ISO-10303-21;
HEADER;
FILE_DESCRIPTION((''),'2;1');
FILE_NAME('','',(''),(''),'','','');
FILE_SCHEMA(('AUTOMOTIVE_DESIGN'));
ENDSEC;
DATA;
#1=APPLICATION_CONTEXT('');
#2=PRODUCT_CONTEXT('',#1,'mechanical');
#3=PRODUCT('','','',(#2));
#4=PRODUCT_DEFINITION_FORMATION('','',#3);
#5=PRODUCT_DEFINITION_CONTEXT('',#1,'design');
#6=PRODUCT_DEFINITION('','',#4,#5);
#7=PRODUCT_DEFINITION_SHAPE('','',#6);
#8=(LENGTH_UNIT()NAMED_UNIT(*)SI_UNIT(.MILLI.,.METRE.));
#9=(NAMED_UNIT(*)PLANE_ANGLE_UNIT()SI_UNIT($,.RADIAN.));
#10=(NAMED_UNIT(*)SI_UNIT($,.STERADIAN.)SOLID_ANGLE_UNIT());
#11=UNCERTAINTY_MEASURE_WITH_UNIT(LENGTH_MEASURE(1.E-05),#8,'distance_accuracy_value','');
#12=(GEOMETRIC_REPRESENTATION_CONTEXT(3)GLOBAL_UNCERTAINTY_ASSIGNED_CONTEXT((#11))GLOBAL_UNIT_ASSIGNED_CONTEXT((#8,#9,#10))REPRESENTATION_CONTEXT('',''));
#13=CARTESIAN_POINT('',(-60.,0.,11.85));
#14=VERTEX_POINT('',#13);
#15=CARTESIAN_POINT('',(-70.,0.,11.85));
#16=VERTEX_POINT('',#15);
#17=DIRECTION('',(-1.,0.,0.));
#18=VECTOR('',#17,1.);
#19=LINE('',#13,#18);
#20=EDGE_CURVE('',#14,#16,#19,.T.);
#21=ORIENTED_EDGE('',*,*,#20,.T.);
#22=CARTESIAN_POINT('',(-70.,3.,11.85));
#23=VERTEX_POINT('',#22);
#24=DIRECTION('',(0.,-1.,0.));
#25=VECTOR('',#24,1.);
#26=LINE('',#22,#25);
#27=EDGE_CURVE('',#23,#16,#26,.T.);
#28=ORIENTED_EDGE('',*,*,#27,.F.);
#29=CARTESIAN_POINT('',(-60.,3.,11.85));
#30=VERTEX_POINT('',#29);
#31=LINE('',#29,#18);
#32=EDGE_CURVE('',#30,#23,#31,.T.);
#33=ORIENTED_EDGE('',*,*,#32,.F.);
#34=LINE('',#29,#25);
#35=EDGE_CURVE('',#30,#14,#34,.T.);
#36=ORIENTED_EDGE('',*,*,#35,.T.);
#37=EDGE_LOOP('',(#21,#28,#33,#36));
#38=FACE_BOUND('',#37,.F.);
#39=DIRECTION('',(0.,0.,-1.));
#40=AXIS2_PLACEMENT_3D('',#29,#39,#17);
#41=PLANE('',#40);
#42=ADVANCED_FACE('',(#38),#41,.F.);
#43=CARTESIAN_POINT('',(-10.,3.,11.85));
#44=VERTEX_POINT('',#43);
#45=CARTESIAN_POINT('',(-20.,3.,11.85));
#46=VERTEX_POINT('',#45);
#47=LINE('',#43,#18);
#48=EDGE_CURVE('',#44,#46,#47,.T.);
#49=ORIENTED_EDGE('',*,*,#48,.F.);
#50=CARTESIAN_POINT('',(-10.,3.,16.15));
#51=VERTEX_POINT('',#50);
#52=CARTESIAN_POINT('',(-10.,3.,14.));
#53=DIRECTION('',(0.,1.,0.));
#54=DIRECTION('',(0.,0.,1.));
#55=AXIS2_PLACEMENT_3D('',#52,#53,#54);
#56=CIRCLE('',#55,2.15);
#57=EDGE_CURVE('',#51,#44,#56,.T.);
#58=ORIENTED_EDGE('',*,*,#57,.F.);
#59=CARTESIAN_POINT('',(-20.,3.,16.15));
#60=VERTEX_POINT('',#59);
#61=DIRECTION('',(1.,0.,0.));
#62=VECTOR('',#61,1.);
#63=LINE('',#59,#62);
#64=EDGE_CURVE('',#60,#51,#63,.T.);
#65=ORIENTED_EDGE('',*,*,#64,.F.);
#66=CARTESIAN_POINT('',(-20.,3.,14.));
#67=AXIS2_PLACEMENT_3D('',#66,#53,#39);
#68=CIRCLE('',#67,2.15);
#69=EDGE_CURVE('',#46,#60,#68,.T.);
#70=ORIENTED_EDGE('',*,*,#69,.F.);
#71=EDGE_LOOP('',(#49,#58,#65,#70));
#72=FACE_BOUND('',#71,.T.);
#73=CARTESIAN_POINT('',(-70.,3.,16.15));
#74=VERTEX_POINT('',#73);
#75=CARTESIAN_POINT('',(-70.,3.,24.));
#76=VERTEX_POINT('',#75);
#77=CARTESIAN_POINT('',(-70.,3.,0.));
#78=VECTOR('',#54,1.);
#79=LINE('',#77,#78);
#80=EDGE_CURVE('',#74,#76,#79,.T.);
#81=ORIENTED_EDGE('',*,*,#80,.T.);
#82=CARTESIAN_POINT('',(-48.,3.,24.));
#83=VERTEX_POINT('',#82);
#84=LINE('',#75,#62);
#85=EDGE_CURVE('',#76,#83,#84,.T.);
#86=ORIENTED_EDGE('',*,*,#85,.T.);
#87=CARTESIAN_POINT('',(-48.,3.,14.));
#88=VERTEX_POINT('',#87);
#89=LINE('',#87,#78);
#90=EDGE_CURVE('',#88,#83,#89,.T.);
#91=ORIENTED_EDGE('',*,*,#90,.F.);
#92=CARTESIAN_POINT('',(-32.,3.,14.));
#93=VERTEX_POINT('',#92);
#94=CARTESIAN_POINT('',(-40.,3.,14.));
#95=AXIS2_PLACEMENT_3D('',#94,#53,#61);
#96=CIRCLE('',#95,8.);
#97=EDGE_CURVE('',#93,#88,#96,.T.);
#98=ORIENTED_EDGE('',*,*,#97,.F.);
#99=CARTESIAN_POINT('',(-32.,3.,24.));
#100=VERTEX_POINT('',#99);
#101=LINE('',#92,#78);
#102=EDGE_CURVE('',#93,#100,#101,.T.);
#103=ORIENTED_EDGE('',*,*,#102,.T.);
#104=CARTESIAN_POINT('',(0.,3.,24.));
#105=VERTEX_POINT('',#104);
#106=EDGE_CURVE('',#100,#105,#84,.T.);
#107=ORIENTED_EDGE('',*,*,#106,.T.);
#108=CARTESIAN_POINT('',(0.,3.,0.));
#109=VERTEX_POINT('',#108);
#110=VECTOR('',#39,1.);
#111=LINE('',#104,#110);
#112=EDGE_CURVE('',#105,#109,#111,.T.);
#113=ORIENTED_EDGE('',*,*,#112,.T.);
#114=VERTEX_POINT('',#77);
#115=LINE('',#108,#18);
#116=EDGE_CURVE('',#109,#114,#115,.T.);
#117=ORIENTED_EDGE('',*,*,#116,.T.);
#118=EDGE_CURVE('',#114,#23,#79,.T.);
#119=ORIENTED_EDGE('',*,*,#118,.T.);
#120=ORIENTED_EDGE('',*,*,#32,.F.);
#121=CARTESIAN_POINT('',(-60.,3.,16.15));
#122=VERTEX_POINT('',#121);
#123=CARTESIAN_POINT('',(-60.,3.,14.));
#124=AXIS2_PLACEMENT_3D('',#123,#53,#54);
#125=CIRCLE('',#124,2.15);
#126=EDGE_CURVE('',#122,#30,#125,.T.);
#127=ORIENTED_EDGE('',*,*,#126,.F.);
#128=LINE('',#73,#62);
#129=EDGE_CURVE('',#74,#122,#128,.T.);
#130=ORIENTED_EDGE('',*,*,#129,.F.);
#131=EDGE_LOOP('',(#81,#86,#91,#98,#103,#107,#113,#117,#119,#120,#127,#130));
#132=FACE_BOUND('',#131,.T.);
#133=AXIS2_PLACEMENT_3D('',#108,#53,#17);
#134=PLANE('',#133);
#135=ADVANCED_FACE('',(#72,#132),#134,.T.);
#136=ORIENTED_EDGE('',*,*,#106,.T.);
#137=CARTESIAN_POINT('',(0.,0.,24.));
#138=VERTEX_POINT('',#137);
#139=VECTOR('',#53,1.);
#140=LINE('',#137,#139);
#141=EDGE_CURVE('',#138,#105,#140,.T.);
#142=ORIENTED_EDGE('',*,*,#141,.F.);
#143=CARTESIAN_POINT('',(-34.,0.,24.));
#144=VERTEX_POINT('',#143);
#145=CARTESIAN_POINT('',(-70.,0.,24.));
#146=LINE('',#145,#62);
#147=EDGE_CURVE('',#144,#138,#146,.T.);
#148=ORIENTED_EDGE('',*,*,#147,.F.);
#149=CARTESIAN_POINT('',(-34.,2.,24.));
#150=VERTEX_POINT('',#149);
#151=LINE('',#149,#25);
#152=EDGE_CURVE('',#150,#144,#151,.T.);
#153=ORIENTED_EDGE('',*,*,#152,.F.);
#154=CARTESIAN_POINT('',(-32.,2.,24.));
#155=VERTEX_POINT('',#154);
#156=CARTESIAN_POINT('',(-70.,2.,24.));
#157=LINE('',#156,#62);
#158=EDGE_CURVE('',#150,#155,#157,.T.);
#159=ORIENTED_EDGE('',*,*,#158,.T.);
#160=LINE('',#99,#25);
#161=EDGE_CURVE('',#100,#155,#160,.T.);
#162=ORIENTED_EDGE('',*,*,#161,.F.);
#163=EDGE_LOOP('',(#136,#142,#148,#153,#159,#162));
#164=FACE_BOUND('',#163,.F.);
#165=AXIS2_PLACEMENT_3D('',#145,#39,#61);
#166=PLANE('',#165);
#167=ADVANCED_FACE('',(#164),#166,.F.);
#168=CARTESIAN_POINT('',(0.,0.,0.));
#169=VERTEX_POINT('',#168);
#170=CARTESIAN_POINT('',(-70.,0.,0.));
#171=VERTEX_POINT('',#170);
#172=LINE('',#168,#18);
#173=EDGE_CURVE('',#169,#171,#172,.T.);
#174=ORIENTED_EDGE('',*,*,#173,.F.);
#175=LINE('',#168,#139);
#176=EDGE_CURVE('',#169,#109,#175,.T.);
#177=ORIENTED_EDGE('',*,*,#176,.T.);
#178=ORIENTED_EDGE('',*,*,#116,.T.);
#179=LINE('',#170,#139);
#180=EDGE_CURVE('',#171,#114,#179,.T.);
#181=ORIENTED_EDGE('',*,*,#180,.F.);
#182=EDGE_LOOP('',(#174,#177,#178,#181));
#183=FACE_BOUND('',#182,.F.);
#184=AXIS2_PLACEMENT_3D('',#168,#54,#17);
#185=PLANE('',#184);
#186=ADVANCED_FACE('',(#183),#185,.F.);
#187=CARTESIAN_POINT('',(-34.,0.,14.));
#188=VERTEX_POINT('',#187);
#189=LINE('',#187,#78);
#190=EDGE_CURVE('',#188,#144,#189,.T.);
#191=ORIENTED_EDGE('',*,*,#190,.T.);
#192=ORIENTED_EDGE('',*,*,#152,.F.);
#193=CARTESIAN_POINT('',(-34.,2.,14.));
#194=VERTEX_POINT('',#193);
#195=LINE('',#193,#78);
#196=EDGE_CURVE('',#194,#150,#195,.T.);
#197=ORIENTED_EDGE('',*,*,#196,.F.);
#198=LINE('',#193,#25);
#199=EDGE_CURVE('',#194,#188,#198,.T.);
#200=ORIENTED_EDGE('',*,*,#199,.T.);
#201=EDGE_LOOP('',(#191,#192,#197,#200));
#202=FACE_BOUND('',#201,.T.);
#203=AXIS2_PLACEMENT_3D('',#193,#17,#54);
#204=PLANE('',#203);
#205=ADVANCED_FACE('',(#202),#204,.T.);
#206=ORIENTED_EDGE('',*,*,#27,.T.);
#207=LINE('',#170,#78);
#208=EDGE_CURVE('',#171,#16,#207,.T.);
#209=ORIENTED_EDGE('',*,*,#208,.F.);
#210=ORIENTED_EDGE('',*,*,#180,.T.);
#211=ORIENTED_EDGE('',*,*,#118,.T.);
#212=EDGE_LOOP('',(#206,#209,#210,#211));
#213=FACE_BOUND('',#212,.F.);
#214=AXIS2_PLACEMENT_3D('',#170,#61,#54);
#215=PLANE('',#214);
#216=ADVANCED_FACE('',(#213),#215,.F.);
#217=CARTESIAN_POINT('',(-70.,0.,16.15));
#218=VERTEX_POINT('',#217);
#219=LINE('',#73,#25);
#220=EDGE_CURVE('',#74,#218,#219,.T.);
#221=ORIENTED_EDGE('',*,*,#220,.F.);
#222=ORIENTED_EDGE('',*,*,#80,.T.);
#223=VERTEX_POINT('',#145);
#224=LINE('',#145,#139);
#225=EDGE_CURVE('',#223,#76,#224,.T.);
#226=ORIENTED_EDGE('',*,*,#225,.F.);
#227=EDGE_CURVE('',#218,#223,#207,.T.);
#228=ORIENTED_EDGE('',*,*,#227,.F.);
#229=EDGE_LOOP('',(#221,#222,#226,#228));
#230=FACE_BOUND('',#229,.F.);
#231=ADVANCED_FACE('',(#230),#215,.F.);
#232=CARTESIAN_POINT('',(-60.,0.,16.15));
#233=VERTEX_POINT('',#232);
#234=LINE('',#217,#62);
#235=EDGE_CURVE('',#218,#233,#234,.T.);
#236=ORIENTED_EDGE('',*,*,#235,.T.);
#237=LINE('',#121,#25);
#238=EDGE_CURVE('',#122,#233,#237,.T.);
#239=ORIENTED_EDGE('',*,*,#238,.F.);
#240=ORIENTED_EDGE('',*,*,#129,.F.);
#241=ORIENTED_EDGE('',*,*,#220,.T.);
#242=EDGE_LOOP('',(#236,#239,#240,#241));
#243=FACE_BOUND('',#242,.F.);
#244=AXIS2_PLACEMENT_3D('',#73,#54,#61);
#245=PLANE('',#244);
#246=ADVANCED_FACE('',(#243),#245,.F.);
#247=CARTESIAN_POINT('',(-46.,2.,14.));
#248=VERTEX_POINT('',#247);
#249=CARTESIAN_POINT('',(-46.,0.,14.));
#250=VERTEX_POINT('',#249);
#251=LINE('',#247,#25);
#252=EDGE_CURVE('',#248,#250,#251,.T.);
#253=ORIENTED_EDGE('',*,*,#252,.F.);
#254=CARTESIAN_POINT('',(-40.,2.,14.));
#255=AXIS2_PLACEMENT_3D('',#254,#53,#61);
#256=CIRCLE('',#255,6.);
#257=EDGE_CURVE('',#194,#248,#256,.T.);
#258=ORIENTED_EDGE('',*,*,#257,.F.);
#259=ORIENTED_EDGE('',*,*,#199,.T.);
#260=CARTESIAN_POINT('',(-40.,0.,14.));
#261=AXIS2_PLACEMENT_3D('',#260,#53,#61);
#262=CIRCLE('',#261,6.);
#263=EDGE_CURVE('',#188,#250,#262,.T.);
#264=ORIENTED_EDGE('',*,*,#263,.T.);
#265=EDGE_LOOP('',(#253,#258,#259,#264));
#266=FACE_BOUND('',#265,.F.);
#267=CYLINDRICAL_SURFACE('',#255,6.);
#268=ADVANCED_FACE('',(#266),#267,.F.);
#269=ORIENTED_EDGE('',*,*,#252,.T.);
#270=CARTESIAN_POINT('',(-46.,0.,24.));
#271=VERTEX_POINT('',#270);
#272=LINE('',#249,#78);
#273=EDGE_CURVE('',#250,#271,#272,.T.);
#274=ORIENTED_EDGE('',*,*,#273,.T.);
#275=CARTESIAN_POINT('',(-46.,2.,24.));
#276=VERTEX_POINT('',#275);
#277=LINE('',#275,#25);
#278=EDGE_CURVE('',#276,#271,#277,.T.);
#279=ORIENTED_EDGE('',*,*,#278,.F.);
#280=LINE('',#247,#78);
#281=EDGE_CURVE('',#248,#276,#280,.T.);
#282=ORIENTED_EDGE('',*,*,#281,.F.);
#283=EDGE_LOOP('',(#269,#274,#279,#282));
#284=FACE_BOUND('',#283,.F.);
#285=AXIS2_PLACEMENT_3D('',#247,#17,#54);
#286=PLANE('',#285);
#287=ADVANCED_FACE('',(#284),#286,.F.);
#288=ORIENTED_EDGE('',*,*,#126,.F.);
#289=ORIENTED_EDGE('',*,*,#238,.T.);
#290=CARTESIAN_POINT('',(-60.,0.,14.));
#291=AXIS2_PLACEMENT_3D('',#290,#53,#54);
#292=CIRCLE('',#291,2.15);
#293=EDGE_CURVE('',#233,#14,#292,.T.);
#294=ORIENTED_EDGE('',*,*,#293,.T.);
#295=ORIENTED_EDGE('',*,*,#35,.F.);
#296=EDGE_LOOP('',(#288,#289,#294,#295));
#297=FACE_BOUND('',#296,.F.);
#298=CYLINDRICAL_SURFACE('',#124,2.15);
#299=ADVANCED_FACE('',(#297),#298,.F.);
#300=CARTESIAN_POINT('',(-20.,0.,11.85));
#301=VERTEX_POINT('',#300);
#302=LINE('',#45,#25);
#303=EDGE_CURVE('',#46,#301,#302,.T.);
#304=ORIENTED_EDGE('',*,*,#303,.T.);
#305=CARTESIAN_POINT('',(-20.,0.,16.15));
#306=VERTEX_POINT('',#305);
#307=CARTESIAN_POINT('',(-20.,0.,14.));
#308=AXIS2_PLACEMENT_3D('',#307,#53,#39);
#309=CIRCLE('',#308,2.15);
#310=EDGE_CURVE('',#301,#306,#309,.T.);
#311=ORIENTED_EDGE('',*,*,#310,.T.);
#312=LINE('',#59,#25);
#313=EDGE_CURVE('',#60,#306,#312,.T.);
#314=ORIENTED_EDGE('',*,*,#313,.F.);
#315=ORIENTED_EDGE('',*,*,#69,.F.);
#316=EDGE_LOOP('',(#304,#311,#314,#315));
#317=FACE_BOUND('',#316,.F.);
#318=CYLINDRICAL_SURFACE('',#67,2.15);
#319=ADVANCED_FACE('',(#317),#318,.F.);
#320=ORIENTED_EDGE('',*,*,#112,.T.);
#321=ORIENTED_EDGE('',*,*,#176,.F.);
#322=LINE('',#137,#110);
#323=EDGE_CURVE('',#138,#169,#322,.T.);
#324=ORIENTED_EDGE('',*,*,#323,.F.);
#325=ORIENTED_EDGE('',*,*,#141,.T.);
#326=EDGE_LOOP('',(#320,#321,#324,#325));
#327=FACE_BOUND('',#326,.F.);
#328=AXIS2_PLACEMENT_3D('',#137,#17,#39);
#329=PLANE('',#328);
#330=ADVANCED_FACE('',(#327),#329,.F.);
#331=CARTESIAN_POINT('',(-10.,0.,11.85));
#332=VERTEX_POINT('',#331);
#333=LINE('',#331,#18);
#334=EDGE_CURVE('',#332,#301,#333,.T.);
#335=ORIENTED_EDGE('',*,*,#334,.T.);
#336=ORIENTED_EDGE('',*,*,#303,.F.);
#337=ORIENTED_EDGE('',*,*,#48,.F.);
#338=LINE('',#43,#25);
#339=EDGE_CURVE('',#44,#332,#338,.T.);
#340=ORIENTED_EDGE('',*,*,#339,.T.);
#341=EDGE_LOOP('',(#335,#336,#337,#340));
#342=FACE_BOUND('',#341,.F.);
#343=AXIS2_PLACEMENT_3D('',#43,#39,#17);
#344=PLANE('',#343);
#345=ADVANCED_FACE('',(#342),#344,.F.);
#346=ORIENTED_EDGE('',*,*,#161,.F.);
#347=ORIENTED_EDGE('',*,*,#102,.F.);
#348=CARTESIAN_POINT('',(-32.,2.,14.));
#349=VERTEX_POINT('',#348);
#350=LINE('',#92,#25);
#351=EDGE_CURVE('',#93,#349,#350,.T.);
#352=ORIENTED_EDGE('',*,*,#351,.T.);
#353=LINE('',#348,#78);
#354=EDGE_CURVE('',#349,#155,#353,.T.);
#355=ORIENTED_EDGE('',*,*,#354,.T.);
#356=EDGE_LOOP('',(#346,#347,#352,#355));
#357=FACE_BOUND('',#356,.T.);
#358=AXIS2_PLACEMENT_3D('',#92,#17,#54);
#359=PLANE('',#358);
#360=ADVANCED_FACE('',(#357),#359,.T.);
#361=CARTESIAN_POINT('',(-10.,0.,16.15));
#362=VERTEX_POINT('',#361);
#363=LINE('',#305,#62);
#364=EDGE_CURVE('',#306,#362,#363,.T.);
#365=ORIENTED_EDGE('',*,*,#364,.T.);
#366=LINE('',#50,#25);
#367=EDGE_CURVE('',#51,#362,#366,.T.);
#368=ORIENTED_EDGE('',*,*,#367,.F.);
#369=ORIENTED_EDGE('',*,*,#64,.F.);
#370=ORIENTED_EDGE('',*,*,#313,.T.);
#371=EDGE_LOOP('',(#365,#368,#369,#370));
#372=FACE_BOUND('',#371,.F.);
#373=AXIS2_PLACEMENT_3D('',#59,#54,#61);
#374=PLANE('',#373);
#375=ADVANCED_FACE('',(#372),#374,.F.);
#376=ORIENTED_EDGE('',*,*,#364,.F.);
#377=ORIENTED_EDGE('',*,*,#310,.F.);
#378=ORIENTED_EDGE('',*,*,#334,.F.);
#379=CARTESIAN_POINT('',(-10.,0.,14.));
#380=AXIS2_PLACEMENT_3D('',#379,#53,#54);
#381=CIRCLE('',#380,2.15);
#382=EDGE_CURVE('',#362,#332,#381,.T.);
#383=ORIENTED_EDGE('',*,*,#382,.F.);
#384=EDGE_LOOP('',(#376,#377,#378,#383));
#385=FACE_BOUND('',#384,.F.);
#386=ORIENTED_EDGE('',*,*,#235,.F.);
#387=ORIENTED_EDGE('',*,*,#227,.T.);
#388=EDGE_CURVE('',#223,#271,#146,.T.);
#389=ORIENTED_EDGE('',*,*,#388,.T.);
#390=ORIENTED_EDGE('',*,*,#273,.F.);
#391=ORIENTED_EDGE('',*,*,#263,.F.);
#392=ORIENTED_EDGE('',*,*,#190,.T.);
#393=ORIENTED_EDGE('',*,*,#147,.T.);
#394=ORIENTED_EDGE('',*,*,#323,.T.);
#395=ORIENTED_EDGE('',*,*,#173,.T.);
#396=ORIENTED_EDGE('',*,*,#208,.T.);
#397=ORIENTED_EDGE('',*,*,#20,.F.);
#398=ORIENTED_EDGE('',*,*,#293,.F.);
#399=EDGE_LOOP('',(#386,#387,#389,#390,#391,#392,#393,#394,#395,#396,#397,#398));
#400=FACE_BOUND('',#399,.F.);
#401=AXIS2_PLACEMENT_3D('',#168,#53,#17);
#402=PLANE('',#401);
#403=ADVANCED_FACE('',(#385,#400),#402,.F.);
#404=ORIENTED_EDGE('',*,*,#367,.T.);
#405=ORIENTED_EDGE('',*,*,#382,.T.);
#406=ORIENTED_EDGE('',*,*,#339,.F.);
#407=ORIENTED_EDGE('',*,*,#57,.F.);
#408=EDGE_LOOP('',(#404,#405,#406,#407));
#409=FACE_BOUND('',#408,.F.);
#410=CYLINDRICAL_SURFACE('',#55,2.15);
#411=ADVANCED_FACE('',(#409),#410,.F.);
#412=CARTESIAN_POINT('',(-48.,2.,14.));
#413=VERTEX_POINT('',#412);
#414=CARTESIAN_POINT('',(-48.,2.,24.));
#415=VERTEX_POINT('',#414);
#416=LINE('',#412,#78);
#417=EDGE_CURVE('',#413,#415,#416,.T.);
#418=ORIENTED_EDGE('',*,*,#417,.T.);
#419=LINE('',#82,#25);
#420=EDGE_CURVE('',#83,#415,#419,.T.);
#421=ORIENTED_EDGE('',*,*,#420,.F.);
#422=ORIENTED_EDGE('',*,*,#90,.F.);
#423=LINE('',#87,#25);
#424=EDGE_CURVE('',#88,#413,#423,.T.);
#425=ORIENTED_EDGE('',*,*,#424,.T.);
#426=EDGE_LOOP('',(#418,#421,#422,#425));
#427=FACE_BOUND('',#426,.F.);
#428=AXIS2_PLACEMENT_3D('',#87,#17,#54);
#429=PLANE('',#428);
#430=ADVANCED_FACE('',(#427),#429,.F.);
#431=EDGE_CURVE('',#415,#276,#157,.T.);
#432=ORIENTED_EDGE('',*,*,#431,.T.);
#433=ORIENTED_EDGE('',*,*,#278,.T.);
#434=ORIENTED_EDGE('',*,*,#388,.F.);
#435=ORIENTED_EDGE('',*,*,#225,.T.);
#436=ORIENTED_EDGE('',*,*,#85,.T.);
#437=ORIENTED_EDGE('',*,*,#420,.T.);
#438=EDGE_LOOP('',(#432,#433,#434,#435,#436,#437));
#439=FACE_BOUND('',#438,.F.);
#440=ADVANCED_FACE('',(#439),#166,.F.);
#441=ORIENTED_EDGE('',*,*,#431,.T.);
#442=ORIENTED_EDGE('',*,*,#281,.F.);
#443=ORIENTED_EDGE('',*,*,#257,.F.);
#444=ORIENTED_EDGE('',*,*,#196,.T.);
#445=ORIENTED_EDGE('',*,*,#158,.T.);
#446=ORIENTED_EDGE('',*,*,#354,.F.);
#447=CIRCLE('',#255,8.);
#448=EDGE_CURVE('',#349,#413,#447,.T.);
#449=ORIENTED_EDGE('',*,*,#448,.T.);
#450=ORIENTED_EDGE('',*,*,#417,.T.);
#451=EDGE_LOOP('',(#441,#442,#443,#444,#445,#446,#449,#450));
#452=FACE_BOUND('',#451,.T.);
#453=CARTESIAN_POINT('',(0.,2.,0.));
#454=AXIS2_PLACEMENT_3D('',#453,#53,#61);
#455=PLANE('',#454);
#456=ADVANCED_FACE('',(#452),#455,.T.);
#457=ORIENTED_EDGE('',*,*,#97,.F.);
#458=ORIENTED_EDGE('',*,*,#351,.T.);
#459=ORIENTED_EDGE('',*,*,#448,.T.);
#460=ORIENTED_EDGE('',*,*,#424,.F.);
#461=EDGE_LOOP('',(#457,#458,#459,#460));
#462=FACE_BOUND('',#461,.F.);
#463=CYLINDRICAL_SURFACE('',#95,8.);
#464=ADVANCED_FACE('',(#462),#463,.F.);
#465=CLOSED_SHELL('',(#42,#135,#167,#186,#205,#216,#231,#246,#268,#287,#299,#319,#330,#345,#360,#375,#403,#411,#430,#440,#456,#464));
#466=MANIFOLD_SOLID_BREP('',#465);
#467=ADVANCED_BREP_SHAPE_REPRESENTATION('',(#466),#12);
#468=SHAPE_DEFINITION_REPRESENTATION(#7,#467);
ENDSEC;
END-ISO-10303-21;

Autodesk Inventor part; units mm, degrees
ref_plane "YZ Plane" through (0, 0, 0) normal (1, 0, 0) x (0, 1, 0)
ref_plane "XZ Plane" through (0, 0, 0) normal (0, 1, 0) x (-1, 0, 0)
ref_plane "XY Plane" through (0, 0, 0) normal (0, 0, 1) x (1, 0, 0)
sketch "Sketch1" plane through (0, 0, 0) normal (0, 1, 0) x (-1, 0, 0)
  line L0 (0, 0) -> (70, 0)
  line L1 (70, 0) -> (70, 24)
  line L2 (70, 24) -> (0, 24)
  line L3 (0, 24) -> (0, 0)
  dimension "d0" = 70
  dimension "d1" = 24
extrude "Extrusion1" add sketch "Sketch1" along normal blind 3
sketch "Sketch2" plane through (0, 3, 0) normal (0, 1, 0) x (1, 0, 0)
  line L0 (-70, 0) -> (-70, -24) projected
  line L1 (-70, -24) -> (0, -24) projected
  arc A0 (-32, -14) -> (-48, -14) centre (-40, -14) ccw
  line L2 (-32, -14) -> (-32, -24)
  line L3 (-48, -14) -> (-48, -24)
  dimension "d5" = 16
  dimension "d6" = 10
  dimension "d8" = 30
extrude "Extrusion2" cut sketch "Sketch2" against normal blind 1
sketch "Sketch3" plane through (0, 2, 0) normal (0, 1, 0) x (1, 0, 0)
  arc A0 (-32, -14) -> (-48, -14) centre (-40, -14) ccw projected
  line L0 (-32, -24) -> (-48, -24) projected
  arc A1 (-34, -14) -> (-46, -14) centre (-40, -14) ccw
  line L1 (-46, -14) -> (-46, -24)
  line L2 (-34, -14) -> (-34, -24)
  point P0 (0, 0)
  dimension "d11" = 12
extrude "Extrusion3" cut sketch "Sketch3" against normal blind 2
sketch "Sketch4" plane through (0, 3, 0) normal (0, 1, 0) x (1, 0, 0)
  line L0 (-32, -24) -> (0, -24) projected
  line L1 (0, -24) -> (0, 0) projected
  line L2 (-70, 0) -> (-70, -24) projected
  arc A0 (-32, -14) -> (-48, -14) centre (-40, -14) ccw projected
  line L3 (-70, -14) -> (-60, -14) construction
  line L4 (-70, -16.15) -> (-60, -16.15)
  line L5 (-60, -11.85) -> (-70, -11.85)
  arc A1 (-70, -11.85) -> (-70, -16.15) centre (-70, -14) ccw
  arc A2 (-60, -16.15) -> (-60, -11.85) centre (-60, -14) ccw
  line L6 (-20, -14) -> (-10, -14) construction
  line L7 (-20, -16.15) -> (-10, -16.15)
  line L8 (-10, -11.85) -> (-20, -11.85)
  arc A3 (-20, -11.85) -> (-20, -16.15) centre (-20, -14) ccw
  arc A4 (-10, -16.15) -> (-10, -11.85) centre (-10, -14) ccw
  point P0 (-65, -14)
  point P1 (-15, -14)
  dimension "d14" = 5
  dimension "d15" = 4.3
  dimension "d16" = 5
  dimension "d17" = 5
  dimension "d18" = 4.3
  dimension "d19" = 15
extrude "Extrusion4" cut sketch "Sketch4" against normal blind 3
properties part number "JHeadMount" material "Aluminum 6061"
